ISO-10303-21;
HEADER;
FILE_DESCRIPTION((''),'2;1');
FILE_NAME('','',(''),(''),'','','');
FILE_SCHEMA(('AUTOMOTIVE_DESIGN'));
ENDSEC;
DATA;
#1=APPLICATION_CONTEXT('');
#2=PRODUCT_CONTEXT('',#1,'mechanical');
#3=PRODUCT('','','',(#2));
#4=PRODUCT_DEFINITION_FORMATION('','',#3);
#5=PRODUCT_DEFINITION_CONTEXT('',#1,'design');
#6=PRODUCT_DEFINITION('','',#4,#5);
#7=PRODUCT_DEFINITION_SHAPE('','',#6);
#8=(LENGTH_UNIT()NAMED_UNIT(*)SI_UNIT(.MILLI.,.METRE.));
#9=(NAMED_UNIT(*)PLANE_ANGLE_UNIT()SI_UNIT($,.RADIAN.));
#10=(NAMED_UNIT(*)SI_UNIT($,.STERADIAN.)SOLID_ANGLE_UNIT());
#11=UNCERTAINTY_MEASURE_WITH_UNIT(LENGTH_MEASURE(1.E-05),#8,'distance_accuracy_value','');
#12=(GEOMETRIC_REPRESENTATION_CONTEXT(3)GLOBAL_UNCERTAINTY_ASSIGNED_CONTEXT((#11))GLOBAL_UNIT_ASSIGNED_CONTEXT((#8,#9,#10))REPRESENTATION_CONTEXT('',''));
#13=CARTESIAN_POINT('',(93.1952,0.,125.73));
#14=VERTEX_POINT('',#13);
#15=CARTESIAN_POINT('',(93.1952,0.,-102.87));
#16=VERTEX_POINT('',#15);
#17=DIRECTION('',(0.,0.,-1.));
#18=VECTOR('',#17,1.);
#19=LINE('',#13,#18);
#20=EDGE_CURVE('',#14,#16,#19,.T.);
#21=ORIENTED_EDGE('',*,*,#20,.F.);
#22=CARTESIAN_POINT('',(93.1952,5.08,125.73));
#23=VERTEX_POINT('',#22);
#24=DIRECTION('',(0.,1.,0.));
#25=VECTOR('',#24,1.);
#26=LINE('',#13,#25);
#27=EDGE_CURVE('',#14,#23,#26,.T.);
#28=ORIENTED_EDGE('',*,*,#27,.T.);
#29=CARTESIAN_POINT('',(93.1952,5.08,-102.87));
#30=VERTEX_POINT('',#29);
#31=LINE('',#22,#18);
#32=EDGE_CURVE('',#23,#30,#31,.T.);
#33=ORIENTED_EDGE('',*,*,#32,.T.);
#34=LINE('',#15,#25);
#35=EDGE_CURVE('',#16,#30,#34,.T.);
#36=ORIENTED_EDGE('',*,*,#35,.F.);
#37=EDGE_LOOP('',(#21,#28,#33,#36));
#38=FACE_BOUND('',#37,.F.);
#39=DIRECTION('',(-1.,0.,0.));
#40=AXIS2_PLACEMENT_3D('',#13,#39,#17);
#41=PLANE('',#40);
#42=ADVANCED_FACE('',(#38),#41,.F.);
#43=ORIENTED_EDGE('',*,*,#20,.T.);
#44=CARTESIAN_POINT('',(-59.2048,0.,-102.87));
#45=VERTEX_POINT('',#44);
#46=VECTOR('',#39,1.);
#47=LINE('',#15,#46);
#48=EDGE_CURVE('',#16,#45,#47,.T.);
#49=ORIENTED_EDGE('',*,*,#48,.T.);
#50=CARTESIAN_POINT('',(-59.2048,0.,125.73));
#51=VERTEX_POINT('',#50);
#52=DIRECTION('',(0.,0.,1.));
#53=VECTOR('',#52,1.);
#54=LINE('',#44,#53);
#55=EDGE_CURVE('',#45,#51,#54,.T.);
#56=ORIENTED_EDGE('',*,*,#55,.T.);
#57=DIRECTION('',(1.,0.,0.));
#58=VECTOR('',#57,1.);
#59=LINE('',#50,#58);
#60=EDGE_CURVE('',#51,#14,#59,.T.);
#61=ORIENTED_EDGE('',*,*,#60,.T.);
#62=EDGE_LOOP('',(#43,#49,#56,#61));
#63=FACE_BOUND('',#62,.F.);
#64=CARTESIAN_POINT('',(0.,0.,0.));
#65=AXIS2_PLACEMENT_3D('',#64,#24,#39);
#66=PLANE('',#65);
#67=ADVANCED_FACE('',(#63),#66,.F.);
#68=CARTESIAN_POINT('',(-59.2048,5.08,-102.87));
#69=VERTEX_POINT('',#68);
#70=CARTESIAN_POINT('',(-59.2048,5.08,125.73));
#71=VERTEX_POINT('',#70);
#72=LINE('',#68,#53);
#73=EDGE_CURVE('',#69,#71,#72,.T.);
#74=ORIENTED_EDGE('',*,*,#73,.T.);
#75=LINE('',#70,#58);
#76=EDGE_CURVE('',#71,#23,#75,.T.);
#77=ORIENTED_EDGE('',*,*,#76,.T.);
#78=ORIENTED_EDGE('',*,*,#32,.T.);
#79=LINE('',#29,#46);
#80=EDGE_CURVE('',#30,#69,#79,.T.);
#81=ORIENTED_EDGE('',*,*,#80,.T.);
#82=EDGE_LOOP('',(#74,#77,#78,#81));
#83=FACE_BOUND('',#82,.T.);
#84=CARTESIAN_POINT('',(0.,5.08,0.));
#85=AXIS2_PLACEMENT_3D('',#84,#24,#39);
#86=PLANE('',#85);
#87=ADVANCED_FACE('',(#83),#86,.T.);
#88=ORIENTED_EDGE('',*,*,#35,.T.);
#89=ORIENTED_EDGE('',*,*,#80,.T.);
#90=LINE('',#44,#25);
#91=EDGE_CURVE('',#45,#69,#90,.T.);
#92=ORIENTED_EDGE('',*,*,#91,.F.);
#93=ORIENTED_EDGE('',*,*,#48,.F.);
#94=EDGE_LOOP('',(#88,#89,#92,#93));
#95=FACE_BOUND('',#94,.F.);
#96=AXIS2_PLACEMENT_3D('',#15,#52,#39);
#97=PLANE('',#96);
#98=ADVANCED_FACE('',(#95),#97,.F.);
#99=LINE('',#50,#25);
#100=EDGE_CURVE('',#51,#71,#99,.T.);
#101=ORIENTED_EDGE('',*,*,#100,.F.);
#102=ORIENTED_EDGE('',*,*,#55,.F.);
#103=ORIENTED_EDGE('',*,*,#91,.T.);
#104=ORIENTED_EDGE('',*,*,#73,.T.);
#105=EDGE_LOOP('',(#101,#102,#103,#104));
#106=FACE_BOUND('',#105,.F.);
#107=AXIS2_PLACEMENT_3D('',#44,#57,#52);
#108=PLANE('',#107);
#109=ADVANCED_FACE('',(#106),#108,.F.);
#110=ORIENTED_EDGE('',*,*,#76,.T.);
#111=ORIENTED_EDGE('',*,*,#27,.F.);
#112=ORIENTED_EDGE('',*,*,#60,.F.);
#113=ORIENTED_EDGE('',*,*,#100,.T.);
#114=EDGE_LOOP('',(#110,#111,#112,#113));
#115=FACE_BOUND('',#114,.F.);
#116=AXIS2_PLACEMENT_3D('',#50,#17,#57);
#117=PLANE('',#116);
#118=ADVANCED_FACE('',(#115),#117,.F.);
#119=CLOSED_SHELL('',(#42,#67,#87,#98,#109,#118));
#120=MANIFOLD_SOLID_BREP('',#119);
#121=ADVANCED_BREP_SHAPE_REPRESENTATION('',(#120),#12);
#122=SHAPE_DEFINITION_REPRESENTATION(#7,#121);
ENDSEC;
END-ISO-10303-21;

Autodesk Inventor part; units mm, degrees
ref_plane "YZ Plane" through (0, 0, 0) normal (1, 0, 0) x (0, 1, 0)
ref_plane "XZ Plane" through (0, 0, 0) normal (0, 1, 0) x (-1, 0, 0)
ref_plane "XY Plane" through (0, 0, 0) normal (0, 0, 1) x (1, 0, 0)
sketch "Sketch1" plane through (0, 0, 0) normal (0, 1, 0) x (-1, 0, 0)
  line L0 (59.2048, 125.73) -> (-93.1952, 125.73)
  line L1 (-93.1952, 125.73) -> (-93.1952, -102.87)
  line L2 (-93.1952, -102.87) -> (59.2048, -102.87)
  line L3 (59.2048, -102.87) -> (59.2048, 125.73)
  point P0 (0, 0)
  dimension "d0" = 228.6
  dimension "d1" = 152.4
extrude "Extrusion1" add sketch "Sketch1" along normal blind 5.08
equation "\"d0\" = PartLength"
equation "\"d1\" = PartWidth"
equation "\"d2\" = WallWidth"
equation "\"DSLength\" = 1371.6"
equation "\"DSWidth\" = 304.8"
equation "\"DCDeckHeight\" = 76.2"
equation "\"WallWidth\" = 5.08"
equation "\"EdgeAngle\" = 10deg"
equation "\"LengthCuts\" = 152.4"
equation "\"WidthCuts\" = 50.8"
equation "\"PartLength\" = 228.6"
equation "\"PartWidth\" = 152.4"
equation "\"BoltHoldDiam\" = 6.35"
equation "\"ControlPlateLength\" = 228.6"
equation "\"ControlPlateWidth\" = 228.6"
equation "\"ControlPlateShelfLength\" = 19.05"
equation "\"ControlHoleLength\" = 190.5"
equation "\"ControlHoleWidth\" = 190.5"
equation "\"ControlHoleFromSide\" = 63.5"
equation "\"ControlHoleBoltHoleMid\" = 9.525"
equation "\"CPDeckHeight\" = 71.12"
equation "\"CPFromSide\" = 63.5"
equation "\"CPFromBack\" = 63.5"
equation "\"DU1CHWidth\" = 69.85"
equation "\"DU1CHLength\" = 146.05"
equation "\"ControlPlateScrewLength\" = 76.2"
equation "\"DSBackHeight\" = 127"
equation "\"BackShelf\" = 25.4"
equation "\"MainAngle\" = 168.22deg"
equation "\"CPDWidthHole\" = 120.65"
equation "\"CPDLengthHole\" = 146.05"
equation "\"DownBackHeight\" = 130.7084"
properties part number "CBBLeft2"
